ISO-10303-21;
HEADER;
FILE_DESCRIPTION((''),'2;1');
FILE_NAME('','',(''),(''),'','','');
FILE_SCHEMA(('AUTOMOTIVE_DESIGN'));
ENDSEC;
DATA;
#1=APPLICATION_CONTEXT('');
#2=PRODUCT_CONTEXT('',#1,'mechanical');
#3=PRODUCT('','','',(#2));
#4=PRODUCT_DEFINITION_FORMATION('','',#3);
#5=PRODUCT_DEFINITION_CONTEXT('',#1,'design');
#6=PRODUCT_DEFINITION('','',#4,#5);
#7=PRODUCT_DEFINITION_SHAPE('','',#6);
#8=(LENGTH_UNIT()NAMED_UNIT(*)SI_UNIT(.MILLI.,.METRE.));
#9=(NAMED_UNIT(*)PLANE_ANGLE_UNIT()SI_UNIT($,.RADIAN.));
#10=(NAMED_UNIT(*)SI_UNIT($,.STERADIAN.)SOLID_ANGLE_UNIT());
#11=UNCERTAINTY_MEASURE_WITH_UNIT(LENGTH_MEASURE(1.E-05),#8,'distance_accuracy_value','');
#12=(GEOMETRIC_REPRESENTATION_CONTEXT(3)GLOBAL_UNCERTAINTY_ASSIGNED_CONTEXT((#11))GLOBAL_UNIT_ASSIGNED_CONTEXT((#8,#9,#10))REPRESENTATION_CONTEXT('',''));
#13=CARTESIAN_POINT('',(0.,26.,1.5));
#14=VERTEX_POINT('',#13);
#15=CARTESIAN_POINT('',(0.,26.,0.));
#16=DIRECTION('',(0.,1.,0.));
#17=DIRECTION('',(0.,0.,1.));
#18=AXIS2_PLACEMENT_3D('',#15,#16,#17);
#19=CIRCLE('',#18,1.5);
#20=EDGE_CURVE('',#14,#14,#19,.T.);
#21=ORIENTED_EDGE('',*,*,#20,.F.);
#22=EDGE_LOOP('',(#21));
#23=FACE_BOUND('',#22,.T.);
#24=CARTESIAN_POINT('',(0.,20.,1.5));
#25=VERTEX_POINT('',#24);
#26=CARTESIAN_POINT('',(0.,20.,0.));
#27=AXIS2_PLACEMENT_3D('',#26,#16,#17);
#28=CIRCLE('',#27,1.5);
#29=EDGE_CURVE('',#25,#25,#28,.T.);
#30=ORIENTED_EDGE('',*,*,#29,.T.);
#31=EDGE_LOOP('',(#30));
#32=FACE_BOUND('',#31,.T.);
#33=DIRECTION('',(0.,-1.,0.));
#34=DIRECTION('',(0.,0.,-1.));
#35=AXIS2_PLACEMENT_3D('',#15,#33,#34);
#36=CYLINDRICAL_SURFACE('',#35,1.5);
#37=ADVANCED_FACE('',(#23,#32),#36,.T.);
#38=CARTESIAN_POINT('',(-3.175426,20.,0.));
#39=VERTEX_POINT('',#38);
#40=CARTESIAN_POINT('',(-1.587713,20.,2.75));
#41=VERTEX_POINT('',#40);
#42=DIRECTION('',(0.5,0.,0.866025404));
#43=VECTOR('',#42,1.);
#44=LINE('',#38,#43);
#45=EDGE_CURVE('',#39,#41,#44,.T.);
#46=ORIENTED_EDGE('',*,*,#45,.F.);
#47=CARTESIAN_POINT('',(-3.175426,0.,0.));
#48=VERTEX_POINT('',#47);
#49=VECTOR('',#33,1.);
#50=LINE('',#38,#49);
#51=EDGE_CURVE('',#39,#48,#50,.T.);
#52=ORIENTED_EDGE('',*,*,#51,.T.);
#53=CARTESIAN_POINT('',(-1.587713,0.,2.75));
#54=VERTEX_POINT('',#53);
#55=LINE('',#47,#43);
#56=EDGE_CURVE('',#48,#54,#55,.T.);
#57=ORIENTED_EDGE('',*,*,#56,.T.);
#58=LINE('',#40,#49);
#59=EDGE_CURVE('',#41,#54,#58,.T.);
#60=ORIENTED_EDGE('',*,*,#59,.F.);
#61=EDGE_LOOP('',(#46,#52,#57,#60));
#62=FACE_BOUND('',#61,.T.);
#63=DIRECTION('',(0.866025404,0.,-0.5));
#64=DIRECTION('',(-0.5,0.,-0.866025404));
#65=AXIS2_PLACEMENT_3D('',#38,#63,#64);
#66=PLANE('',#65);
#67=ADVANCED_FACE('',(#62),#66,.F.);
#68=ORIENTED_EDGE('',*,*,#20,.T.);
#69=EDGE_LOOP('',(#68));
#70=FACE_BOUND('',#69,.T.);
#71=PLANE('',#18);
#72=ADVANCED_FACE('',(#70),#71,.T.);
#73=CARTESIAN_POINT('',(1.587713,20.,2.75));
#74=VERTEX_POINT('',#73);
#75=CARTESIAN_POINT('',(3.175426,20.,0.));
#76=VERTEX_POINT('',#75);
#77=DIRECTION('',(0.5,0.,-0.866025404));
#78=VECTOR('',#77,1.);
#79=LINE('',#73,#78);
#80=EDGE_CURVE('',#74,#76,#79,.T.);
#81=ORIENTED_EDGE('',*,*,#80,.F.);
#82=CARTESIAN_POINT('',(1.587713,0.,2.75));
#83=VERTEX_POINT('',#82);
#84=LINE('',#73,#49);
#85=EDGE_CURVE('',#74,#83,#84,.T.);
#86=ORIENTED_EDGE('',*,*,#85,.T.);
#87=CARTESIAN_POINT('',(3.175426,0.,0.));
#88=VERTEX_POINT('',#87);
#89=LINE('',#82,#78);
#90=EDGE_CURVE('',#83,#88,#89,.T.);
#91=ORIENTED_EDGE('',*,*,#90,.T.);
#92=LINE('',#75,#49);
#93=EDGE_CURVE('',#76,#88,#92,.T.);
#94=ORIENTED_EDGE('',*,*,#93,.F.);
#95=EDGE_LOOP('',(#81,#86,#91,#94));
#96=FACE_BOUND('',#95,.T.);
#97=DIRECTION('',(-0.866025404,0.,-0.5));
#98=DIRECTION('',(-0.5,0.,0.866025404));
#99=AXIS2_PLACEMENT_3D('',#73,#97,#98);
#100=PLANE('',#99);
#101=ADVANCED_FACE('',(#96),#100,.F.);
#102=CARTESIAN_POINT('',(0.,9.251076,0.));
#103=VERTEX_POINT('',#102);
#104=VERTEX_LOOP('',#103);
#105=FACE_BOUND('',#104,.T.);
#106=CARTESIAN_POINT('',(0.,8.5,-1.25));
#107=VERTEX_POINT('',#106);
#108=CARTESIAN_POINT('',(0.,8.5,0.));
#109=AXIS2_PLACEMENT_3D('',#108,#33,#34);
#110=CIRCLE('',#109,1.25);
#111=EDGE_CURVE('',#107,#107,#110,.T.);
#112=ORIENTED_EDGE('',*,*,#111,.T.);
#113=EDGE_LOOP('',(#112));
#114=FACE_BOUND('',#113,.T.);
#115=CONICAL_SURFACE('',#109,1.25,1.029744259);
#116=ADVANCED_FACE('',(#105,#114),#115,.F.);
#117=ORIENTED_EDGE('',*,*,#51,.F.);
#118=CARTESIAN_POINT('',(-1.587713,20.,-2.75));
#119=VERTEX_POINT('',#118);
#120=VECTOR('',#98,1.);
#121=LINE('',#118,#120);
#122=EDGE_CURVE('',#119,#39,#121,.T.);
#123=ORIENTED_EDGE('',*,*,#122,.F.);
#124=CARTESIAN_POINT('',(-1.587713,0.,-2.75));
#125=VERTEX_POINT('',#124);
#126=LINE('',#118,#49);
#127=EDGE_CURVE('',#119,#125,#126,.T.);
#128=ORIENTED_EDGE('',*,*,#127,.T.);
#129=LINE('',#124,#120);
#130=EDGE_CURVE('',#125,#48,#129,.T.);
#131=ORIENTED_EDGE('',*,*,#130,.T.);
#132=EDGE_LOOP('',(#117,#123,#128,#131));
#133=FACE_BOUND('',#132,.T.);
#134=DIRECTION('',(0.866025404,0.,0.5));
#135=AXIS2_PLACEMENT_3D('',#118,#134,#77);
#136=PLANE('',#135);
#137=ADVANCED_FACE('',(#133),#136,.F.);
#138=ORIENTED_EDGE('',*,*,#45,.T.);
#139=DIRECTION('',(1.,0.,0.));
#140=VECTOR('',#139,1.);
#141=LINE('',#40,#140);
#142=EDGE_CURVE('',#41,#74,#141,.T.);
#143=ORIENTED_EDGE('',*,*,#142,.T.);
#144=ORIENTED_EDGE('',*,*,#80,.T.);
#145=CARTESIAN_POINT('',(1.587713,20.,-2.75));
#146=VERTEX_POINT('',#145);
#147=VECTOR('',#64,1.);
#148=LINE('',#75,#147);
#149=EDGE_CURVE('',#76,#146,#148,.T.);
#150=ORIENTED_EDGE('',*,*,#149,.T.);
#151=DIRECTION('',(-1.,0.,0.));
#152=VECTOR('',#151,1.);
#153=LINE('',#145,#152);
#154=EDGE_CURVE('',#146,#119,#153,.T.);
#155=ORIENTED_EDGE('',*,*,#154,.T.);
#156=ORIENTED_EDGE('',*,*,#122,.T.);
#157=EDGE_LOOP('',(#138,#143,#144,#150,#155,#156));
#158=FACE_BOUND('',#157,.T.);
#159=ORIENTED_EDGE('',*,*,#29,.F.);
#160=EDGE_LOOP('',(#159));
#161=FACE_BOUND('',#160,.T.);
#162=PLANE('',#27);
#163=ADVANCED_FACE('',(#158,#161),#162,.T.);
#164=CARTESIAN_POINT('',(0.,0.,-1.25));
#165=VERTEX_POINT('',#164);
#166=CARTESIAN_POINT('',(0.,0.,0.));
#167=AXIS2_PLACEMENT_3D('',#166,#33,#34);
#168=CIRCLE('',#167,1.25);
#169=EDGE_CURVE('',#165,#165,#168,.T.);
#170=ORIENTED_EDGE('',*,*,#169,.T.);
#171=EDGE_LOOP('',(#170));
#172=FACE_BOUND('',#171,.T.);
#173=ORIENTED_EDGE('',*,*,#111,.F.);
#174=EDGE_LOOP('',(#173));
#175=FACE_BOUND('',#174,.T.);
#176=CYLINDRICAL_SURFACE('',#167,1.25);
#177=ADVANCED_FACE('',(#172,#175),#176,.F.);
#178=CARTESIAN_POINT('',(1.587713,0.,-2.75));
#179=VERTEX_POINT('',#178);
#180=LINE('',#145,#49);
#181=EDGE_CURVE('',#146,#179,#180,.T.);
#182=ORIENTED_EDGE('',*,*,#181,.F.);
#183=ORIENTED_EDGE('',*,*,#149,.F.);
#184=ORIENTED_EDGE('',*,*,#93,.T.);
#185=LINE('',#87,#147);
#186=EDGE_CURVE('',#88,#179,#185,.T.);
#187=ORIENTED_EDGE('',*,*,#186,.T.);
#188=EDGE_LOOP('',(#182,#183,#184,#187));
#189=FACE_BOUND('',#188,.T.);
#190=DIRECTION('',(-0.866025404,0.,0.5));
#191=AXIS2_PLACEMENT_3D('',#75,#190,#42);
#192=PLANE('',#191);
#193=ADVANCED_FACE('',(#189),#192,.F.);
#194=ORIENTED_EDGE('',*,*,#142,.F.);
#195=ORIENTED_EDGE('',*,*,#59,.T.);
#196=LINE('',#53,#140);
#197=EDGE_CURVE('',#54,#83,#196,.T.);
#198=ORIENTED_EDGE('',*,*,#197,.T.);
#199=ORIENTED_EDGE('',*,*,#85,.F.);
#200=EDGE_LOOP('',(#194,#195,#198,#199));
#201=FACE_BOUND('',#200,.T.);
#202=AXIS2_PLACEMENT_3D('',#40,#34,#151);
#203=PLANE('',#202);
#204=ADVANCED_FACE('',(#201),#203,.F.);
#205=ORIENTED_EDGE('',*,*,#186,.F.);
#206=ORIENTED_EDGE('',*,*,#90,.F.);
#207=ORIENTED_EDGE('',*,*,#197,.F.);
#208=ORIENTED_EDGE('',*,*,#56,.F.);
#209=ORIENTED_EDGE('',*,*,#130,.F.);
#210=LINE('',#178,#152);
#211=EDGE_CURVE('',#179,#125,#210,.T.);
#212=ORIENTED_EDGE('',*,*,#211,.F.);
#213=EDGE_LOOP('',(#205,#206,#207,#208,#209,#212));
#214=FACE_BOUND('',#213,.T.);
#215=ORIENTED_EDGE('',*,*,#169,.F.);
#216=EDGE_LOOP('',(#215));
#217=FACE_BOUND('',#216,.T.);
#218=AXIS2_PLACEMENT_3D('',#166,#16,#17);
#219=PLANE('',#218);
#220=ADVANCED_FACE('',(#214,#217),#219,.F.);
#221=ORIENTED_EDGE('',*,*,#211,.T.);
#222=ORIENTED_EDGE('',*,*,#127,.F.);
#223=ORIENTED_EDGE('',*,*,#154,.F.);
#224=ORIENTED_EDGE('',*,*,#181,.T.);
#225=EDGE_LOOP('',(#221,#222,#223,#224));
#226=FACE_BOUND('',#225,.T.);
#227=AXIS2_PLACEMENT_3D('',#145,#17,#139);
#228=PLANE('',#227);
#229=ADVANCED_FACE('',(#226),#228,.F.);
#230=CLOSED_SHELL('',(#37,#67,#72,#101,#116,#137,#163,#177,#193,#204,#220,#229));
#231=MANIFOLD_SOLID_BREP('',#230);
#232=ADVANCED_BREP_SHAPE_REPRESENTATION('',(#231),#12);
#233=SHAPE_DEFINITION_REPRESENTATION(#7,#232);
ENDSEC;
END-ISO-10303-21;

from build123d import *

# Parameters (mm, degrees)
EXTRUDE_1_DEPTH = 20
SKETCH_2_R      = 1.5
EXTRUDE_2_DEPTH = 6
M3X0_5_1_D      = 2.5
M3X0_5_1_DEPTH  = 8.5
M3X0_5_1_TIP    = 0.751075774


with BuildPart() as part:
    # ｽｹｯﾁ1 → ﾎﾞｽ - 押し出し1 (new body)
    with BuildSketch(Plane(origin=(0, 0, 0), x_dir=(1, 0, 0), z_dir=(0, 1, 0))):
        Polygon((1.58771324, -2.75), (3.175426481, 0), (1.58771324, 2.75), (-1.58771324, 2.75), (-3.175426481, 0), (-1.58771324, -2.75), align=None)
    extrude(amount=EXTRUDE_1_DEPTH)

    # ｽｹｯﾁ2 → ﾎﾞｽ - 押し出し2 (add)
    with BuildSketch(Plane(origin=(0, 20, 0), x_dir=(1, 0, 0), z_dir=(0, 1, 0))):
        with Locations(Location((0, 0, 0), (0, 0, 270))):
            Circle(SKETCH_2_R)
    extrude(amount=EXTRUDE_2_DEPTH)

    # M3x0.5 ねじ穴1
    with Locations(Plane(origin=(0, 0, 0), x_dir=(0, 0, -1), z_dir=(0, -1, 0))):
        with Locations((0, 0)):
            Hole(M3X0_5_1_D / 2, depth=M3X0_5_1_DEPTH)
            with Locations((0, 0, -(M3X0_5_1_DEPTH + M3X0_5_1_TIP / 2))):  # 118° drill point
                Cone(0, M3X0_5_1_D / 2, M3X0_5_1_TIP, mode=Mode.SUBTRACT)


solid = part.part
